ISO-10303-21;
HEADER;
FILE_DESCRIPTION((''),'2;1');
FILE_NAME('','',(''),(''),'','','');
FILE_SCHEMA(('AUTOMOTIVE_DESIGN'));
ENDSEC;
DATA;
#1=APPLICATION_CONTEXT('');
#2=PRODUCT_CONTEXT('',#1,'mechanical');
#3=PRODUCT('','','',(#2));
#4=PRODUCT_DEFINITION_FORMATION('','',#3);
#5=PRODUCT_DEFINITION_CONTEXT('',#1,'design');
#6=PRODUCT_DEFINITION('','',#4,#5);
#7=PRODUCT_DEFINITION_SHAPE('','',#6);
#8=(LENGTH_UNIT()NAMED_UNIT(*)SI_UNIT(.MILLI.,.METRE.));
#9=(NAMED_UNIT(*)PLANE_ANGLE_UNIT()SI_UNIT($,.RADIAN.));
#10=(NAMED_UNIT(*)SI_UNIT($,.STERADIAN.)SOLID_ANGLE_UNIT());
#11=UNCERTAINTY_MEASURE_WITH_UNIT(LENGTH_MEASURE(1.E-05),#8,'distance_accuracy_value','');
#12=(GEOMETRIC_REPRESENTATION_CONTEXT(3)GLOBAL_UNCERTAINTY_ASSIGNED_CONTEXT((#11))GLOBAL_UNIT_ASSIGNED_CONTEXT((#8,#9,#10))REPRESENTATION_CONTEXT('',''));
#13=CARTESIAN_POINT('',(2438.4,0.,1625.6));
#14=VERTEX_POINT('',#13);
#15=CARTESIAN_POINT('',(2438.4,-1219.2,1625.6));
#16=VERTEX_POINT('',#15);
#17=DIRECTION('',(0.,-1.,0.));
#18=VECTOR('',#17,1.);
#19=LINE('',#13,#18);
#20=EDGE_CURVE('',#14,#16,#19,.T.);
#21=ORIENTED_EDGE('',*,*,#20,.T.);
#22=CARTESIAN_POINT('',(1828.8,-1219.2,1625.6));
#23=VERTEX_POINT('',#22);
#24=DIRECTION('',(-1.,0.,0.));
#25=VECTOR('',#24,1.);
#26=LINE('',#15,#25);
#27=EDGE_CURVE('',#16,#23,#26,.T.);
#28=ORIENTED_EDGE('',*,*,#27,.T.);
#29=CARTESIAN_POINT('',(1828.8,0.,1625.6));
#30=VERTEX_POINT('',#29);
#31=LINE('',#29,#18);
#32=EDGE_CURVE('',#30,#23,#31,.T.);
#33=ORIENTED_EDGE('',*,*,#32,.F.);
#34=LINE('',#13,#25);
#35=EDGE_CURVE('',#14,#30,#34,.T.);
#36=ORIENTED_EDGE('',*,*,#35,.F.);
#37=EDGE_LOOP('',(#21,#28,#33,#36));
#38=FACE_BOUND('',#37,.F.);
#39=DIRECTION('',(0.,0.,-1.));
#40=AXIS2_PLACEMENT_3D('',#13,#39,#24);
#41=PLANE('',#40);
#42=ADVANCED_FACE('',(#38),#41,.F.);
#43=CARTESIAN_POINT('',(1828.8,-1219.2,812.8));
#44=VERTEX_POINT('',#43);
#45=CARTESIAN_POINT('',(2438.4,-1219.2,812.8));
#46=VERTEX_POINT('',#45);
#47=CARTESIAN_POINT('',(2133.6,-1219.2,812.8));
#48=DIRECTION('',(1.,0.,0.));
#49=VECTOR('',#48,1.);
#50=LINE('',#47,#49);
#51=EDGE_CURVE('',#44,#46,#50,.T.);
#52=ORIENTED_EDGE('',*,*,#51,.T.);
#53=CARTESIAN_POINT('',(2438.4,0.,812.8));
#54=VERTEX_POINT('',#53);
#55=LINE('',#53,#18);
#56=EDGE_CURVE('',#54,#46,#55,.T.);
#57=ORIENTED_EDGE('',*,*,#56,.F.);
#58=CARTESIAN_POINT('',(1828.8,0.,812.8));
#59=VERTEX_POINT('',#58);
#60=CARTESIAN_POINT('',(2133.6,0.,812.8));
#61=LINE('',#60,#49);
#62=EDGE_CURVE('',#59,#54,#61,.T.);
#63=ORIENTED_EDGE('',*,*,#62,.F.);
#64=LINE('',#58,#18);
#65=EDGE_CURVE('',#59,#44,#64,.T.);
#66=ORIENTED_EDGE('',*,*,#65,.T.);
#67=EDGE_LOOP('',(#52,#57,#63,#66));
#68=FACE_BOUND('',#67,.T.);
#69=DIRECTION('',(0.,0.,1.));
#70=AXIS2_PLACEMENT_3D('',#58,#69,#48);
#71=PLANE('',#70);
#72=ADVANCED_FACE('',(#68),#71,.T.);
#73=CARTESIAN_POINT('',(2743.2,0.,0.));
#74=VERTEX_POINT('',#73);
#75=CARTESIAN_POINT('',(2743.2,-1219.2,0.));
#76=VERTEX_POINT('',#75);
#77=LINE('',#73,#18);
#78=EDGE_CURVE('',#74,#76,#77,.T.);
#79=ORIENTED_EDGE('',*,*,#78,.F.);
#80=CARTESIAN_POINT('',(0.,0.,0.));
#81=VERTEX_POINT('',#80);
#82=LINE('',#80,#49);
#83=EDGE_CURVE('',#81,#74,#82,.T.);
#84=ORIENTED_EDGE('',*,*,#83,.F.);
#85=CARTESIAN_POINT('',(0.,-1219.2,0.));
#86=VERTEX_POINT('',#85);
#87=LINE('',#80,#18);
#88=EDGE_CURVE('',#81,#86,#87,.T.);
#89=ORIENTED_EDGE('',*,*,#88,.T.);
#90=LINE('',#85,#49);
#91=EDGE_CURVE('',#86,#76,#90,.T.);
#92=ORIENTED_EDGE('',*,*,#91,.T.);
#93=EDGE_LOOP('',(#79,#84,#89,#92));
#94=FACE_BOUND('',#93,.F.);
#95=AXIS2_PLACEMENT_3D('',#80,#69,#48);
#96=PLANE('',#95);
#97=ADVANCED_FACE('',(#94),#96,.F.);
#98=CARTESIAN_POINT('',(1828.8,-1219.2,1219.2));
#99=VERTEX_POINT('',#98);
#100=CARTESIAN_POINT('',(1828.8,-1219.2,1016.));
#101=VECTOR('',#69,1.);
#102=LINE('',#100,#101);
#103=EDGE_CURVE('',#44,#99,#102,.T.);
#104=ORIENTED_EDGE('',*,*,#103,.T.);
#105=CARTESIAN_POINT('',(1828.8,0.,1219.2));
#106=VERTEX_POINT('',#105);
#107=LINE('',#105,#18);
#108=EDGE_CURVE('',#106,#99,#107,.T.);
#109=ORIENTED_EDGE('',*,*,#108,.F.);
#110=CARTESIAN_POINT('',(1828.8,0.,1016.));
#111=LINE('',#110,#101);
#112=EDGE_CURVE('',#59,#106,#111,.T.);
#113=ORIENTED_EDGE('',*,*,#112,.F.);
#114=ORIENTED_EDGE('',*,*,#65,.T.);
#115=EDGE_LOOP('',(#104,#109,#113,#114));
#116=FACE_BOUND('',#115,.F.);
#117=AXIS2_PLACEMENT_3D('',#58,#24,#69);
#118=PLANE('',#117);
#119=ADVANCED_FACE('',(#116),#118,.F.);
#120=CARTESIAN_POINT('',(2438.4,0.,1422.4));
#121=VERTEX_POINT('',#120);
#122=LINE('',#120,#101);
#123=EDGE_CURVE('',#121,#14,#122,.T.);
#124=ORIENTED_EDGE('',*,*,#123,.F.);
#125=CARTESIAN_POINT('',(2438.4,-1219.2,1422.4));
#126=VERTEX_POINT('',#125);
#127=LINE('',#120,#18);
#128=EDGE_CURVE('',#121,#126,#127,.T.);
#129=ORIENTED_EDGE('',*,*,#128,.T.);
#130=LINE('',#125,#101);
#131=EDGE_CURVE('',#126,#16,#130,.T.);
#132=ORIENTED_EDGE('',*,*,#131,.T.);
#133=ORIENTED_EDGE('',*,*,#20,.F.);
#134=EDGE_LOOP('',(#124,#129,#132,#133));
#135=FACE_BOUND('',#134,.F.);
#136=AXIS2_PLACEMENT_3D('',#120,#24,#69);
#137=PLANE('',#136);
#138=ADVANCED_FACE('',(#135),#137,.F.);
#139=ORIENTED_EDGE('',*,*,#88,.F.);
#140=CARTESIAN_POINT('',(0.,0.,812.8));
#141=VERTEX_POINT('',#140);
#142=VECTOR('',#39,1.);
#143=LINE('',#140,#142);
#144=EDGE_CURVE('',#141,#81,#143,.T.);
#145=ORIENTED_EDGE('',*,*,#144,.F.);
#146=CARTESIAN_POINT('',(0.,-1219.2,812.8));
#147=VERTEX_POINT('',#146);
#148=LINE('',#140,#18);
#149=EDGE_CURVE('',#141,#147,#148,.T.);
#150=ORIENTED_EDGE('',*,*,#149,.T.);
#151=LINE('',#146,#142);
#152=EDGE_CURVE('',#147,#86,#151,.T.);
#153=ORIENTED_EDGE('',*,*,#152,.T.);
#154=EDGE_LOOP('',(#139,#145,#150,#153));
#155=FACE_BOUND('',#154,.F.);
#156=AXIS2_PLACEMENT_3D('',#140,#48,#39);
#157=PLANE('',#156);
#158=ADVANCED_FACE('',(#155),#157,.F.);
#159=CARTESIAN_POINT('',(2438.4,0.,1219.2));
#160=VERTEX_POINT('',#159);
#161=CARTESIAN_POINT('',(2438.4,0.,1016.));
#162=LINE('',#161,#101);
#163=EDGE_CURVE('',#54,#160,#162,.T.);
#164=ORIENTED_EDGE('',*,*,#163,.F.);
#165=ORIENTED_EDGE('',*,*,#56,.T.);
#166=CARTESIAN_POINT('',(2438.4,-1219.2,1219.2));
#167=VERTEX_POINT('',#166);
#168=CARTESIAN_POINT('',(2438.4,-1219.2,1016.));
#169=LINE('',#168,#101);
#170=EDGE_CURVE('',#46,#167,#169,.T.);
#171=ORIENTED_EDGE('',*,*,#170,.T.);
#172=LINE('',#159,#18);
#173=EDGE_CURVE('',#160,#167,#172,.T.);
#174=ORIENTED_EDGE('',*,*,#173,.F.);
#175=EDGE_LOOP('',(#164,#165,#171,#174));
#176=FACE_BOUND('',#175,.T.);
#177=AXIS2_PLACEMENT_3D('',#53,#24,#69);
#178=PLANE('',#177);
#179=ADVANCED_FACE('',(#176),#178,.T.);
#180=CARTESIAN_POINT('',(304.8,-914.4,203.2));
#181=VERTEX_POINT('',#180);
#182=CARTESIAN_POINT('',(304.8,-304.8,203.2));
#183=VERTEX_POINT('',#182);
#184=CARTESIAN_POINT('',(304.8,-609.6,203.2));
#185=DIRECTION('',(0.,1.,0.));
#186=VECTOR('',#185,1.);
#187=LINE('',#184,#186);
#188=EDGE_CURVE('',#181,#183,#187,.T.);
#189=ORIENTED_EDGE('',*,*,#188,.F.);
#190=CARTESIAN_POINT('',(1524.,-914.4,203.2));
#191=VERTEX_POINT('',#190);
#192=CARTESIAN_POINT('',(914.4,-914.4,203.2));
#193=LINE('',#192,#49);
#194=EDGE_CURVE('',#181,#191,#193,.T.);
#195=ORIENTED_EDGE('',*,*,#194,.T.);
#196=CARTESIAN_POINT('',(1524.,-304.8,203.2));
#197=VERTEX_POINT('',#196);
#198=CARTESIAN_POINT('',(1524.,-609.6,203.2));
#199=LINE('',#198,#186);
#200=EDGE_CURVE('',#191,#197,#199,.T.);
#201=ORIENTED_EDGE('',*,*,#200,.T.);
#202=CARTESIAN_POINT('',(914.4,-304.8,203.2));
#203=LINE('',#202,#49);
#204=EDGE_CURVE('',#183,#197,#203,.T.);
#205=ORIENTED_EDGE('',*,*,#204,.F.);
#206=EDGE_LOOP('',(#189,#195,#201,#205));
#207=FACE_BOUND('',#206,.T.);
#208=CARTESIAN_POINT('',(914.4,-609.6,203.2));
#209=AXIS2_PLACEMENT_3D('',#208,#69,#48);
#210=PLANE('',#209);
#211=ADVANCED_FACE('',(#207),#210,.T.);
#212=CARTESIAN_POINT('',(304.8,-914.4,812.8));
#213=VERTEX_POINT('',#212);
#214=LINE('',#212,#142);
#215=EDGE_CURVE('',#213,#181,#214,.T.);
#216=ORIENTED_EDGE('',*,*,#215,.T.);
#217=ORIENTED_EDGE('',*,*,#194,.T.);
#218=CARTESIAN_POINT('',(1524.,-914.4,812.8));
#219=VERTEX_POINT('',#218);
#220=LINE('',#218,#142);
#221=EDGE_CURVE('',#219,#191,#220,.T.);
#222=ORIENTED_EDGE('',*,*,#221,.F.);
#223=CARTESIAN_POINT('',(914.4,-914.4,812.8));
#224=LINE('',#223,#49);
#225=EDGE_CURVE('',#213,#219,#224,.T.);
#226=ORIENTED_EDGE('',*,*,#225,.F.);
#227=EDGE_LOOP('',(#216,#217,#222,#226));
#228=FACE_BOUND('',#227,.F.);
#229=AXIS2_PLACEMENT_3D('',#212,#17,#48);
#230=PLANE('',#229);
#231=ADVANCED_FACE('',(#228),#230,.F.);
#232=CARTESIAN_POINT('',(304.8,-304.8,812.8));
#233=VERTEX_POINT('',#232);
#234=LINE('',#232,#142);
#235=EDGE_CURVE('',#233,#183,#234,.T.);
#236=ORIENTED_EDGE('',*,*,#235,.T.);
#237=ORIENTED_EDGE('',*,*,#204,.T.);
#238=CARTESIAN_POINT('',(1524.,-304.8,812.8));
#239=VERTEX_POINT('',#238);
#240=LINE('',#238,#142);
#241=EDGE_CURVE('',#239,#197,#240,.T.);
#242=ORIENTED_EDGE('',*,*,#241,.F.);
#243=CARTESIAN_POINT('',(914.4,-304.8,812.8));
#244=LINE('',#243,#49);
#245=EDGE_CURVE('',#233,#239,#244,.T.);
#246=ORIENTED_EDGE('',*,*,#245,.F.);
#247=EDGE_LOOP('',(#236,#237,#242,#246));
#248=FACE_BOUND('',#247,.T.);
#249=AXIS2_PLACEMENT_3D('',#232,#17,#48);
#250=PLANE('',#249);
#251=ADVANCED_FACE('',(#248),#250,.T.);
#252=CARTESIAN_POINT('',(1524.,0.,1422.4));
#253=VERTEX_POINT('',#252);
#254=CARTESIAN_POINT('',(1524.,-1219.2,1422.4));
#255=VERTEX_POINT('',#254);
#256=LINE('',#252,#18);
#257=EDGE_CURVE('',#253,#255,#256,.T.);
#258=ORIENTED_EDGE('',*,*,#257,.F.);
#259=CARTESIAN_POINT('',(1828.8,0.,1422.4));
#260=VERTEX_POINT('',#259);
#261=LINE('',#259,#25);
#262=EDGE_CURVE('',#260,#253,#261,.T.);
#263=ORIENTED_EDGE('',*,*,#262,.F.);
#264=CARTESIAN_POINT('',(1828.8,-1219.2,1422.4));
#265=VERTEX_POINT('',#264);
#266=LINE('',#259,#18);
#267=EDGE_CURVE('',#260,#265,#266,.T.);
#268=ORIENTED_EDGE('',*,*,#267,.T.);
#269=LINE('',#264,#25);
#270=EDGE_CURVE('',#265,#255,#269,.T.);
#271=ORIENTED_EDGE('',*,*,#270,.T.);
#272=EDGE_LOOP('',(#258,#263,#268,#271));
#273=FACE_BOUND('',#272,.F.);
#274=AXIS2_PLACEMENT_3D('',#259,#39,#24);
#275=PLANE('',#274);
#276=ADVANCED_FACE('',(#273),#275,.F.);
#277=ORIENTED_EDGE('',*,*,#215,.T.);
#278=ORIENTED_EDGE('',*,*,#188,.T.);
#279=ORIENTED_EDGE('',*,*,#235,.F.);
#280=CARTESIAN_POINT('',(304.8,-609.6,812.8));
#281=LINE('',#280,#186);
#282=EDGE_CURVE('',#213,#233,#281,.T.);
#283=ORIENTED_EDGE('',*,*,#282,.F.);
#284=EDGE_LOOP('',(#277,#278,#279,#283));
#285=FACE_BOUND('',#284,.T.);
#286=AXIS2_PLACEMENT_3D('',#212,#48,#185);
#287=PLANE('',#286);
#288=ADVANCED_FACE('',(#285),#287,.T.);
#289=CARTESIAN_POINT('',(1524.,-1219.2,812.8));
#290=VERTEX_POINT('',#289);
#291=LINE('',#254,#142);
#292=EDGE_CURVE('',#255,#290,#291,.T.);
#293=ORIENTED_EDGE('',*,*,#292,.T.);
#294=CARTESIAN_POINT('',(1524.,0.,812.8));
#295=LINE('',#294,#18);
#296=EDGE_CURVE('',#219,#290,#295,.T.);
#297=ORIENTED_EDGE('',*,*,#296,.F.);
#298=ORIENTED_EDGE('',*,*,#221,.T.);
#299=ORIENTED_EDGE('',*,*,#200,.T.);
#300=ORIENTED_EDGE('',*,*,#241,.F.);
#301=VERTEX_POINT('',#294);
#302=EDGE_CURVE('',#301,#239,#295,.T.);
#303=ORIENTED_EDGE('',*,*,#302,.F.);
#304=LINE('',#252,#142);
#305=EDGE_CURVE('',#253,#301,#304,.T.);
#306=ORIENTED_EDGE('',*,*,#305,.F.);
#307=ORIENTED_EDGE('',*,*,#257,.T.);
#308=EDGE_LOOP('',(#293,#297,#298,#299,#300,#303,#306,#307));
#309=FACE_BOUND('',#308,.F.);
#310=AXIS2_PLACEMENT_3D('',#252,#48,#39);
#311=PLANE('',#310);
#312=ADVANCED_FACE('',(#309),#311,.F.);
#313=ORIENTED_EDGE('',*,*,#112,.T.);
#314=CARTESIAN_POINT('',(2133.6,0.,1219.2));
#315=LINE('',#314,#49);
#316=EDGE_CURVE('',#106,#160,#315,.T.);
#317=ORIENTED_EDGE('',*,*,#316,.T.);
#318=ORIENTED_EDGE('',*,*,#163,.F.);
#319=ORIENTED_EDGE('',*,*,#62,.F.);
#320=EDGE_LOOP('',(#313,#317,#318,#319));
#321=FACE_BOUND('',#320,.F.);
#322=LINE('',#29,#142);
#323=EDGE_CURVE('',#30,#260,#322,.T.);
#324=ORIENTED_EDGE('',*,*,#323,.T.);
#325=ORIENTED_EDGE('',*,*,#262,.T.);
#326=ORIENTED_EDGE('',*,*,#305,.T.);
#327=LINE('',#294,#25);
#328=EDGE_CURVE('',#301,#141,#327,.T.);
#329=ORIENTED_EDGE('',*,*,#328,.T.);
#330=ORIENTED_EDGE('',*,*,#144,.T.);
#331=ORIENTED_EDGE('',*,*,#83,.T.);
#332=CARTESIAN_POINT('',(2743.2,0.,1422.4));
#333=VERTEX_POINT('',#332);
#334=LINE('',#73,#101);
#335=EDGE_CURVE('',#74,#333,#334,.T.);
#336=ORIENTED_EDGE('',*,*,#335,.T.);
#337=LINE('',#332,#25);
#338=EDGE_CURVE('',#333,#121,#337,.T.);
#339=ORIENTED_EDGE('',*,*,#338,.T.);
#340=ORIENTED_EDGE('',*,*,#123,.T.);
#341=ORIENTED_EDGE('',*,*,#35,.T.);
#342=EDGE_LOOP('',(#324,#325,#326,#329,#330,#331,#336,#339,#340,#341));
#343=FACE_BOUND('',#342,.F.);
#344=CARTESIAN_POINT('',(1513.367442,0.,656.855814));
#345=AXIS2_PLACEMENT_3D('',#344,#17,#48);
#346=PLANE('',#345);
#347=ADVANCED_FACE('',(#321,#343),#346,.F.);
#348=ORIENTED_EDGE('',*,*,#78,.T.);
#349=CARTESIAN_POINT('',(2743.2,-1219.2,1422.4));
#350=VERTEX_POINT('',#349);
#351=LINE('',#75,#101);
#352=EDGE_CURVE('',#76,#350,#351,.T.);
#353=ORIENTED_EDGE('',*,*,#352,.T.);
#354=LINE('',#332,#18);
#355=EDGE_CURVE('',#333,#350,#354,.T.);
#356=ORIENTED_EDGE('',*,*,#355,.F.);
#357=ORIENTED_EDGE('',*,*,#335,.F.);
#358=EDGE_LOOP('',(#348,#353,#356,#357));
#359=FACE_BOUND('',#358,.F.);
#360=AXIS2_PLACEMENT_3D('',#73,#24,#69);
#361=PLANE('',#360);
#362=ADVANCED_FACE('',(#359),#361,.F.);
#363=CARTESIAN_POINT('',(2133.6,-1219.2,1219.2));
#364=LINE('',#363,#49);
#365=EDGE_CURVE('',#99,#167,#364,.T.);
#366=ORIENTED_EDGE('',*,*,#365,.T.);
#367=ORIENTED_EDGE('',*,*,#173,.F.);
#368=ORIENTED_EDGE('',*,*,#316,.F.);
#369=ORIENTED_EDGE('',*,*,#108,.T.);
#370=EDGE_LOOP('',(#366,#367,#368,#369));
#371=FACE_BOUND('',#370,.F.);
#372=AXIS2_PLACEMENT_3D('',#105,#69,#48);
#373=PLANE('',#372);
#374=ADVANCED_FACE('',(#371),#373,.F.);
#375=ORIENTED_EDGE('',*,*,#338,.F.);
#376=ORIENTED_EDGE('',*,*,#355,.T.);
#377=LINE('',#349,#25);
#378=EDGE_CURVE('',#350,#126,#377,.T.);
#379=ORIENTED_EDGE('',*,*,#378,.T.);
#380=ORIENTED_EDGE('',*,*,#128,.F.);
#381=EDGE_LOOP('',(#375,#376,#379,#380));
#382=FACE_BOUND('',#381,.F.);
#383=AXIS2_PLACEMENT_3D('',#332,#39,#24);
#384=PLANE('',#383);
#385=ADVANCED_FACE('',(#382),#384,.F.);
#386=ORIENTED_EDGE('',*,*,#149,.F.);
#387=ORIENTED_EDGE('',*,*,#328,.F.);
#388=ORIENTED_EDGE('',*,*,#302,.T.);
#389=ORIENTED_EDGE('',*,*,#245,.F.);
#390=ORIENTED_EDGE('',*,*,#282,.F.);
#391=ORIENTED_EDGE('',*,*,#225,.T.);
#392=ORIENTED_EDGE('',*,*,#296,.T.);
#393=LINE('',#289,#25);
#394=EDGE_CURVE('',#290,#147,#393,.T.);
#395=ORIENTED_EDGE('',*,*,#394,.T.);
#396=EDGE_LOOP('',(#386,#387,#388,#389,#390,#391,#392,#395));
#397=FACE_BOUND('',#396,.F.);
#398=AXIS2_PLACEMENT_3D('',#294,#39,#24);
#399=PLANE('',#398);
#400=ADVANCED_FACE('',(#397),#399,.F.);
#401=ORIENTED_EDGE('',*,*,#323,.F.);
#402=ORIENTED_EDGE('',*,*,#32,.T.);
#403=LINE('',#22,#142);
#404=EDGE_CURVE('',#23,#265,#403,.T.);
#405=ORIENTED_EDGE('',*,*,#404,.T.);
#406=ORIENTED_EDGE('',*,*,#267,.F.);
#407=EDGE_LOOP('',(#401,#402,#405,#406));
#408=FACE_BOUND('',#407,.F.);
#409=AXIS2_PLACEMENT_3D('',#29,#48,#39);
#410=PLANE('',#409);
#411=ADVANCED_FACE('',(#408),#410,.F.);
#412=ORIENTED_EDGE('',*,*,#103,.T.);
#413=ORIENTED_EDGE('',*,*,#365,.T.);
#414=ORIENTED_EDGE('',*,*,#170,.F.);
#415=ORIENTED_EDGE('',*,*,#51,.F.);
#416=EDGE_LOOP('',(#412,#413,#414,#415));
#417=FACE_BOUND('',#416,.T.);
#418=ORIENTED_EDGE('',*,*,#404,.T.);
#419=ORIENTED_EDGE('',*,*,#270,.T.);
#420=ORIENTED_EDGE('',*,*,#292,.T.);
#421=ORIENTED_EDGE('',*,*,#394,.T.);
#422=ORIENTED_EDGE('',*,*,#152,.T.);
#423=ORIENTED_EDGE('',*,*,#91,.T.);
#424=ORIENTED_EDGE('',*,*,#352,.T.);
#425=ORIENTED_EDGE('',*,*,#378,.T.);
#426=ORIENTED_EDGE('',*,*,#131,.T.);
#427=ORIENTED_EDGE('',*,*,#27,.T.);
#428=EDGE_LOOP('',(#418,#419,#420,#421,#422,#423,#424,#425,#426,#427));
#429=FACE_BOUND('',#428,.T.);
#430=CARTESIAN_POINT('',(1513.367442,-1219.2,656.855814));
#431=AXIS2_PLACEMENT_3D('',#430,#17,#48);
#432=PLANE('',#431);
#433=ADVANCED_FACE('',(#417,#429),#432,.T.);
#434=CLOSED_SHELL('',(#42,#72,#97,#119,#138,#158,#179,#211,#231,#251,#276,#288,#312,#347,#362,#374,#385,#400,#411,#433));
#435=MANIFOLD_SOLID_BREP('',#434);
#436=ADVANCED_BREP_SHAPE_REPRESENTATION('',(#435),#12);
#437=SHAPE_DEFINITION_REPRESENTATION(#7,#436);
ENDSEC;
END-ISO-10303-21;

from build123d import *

# Parameters (mm, degrees)
F0_W     = 609.6
F0_H     = 406.4
F1_DEPTH = 1219.2
F2_W     = 1219.2
F2_H     = 609.6
F3_DEPTH = 609.6


with BuildPart() as f1:
    # F0 (on Front) → F1 (new body)
    with BuildSketch(Plane.XZ):
        Polygon((0, 812.8), (0, 0), (2743.2, 0), (2743.2, 1422.4), (2438.4, 1422.4), (2438.4, 1625.6), (1828.8, 1625.6), (1828.8, 1422.4), (1524, 1422.4), (1524, 812.8), align=None)
        with Locations((2133.6, 1016)):
            Rectangle(F0_W, F0_H, mode=Mode.SUBTRACT)
    extrude(amount=F1_DEPTH)

    # F2 (on face) → F3 (cut)
    with BuildSketch(Plane.XY.offset(812.8)):
        with Locations((914.4, -609.6)):
            Rectangle(F2_W, F2_H)
    extrude(amount=-F3_DEPTH, mode=Mode.SUBTRACT)


solid = f1.part
